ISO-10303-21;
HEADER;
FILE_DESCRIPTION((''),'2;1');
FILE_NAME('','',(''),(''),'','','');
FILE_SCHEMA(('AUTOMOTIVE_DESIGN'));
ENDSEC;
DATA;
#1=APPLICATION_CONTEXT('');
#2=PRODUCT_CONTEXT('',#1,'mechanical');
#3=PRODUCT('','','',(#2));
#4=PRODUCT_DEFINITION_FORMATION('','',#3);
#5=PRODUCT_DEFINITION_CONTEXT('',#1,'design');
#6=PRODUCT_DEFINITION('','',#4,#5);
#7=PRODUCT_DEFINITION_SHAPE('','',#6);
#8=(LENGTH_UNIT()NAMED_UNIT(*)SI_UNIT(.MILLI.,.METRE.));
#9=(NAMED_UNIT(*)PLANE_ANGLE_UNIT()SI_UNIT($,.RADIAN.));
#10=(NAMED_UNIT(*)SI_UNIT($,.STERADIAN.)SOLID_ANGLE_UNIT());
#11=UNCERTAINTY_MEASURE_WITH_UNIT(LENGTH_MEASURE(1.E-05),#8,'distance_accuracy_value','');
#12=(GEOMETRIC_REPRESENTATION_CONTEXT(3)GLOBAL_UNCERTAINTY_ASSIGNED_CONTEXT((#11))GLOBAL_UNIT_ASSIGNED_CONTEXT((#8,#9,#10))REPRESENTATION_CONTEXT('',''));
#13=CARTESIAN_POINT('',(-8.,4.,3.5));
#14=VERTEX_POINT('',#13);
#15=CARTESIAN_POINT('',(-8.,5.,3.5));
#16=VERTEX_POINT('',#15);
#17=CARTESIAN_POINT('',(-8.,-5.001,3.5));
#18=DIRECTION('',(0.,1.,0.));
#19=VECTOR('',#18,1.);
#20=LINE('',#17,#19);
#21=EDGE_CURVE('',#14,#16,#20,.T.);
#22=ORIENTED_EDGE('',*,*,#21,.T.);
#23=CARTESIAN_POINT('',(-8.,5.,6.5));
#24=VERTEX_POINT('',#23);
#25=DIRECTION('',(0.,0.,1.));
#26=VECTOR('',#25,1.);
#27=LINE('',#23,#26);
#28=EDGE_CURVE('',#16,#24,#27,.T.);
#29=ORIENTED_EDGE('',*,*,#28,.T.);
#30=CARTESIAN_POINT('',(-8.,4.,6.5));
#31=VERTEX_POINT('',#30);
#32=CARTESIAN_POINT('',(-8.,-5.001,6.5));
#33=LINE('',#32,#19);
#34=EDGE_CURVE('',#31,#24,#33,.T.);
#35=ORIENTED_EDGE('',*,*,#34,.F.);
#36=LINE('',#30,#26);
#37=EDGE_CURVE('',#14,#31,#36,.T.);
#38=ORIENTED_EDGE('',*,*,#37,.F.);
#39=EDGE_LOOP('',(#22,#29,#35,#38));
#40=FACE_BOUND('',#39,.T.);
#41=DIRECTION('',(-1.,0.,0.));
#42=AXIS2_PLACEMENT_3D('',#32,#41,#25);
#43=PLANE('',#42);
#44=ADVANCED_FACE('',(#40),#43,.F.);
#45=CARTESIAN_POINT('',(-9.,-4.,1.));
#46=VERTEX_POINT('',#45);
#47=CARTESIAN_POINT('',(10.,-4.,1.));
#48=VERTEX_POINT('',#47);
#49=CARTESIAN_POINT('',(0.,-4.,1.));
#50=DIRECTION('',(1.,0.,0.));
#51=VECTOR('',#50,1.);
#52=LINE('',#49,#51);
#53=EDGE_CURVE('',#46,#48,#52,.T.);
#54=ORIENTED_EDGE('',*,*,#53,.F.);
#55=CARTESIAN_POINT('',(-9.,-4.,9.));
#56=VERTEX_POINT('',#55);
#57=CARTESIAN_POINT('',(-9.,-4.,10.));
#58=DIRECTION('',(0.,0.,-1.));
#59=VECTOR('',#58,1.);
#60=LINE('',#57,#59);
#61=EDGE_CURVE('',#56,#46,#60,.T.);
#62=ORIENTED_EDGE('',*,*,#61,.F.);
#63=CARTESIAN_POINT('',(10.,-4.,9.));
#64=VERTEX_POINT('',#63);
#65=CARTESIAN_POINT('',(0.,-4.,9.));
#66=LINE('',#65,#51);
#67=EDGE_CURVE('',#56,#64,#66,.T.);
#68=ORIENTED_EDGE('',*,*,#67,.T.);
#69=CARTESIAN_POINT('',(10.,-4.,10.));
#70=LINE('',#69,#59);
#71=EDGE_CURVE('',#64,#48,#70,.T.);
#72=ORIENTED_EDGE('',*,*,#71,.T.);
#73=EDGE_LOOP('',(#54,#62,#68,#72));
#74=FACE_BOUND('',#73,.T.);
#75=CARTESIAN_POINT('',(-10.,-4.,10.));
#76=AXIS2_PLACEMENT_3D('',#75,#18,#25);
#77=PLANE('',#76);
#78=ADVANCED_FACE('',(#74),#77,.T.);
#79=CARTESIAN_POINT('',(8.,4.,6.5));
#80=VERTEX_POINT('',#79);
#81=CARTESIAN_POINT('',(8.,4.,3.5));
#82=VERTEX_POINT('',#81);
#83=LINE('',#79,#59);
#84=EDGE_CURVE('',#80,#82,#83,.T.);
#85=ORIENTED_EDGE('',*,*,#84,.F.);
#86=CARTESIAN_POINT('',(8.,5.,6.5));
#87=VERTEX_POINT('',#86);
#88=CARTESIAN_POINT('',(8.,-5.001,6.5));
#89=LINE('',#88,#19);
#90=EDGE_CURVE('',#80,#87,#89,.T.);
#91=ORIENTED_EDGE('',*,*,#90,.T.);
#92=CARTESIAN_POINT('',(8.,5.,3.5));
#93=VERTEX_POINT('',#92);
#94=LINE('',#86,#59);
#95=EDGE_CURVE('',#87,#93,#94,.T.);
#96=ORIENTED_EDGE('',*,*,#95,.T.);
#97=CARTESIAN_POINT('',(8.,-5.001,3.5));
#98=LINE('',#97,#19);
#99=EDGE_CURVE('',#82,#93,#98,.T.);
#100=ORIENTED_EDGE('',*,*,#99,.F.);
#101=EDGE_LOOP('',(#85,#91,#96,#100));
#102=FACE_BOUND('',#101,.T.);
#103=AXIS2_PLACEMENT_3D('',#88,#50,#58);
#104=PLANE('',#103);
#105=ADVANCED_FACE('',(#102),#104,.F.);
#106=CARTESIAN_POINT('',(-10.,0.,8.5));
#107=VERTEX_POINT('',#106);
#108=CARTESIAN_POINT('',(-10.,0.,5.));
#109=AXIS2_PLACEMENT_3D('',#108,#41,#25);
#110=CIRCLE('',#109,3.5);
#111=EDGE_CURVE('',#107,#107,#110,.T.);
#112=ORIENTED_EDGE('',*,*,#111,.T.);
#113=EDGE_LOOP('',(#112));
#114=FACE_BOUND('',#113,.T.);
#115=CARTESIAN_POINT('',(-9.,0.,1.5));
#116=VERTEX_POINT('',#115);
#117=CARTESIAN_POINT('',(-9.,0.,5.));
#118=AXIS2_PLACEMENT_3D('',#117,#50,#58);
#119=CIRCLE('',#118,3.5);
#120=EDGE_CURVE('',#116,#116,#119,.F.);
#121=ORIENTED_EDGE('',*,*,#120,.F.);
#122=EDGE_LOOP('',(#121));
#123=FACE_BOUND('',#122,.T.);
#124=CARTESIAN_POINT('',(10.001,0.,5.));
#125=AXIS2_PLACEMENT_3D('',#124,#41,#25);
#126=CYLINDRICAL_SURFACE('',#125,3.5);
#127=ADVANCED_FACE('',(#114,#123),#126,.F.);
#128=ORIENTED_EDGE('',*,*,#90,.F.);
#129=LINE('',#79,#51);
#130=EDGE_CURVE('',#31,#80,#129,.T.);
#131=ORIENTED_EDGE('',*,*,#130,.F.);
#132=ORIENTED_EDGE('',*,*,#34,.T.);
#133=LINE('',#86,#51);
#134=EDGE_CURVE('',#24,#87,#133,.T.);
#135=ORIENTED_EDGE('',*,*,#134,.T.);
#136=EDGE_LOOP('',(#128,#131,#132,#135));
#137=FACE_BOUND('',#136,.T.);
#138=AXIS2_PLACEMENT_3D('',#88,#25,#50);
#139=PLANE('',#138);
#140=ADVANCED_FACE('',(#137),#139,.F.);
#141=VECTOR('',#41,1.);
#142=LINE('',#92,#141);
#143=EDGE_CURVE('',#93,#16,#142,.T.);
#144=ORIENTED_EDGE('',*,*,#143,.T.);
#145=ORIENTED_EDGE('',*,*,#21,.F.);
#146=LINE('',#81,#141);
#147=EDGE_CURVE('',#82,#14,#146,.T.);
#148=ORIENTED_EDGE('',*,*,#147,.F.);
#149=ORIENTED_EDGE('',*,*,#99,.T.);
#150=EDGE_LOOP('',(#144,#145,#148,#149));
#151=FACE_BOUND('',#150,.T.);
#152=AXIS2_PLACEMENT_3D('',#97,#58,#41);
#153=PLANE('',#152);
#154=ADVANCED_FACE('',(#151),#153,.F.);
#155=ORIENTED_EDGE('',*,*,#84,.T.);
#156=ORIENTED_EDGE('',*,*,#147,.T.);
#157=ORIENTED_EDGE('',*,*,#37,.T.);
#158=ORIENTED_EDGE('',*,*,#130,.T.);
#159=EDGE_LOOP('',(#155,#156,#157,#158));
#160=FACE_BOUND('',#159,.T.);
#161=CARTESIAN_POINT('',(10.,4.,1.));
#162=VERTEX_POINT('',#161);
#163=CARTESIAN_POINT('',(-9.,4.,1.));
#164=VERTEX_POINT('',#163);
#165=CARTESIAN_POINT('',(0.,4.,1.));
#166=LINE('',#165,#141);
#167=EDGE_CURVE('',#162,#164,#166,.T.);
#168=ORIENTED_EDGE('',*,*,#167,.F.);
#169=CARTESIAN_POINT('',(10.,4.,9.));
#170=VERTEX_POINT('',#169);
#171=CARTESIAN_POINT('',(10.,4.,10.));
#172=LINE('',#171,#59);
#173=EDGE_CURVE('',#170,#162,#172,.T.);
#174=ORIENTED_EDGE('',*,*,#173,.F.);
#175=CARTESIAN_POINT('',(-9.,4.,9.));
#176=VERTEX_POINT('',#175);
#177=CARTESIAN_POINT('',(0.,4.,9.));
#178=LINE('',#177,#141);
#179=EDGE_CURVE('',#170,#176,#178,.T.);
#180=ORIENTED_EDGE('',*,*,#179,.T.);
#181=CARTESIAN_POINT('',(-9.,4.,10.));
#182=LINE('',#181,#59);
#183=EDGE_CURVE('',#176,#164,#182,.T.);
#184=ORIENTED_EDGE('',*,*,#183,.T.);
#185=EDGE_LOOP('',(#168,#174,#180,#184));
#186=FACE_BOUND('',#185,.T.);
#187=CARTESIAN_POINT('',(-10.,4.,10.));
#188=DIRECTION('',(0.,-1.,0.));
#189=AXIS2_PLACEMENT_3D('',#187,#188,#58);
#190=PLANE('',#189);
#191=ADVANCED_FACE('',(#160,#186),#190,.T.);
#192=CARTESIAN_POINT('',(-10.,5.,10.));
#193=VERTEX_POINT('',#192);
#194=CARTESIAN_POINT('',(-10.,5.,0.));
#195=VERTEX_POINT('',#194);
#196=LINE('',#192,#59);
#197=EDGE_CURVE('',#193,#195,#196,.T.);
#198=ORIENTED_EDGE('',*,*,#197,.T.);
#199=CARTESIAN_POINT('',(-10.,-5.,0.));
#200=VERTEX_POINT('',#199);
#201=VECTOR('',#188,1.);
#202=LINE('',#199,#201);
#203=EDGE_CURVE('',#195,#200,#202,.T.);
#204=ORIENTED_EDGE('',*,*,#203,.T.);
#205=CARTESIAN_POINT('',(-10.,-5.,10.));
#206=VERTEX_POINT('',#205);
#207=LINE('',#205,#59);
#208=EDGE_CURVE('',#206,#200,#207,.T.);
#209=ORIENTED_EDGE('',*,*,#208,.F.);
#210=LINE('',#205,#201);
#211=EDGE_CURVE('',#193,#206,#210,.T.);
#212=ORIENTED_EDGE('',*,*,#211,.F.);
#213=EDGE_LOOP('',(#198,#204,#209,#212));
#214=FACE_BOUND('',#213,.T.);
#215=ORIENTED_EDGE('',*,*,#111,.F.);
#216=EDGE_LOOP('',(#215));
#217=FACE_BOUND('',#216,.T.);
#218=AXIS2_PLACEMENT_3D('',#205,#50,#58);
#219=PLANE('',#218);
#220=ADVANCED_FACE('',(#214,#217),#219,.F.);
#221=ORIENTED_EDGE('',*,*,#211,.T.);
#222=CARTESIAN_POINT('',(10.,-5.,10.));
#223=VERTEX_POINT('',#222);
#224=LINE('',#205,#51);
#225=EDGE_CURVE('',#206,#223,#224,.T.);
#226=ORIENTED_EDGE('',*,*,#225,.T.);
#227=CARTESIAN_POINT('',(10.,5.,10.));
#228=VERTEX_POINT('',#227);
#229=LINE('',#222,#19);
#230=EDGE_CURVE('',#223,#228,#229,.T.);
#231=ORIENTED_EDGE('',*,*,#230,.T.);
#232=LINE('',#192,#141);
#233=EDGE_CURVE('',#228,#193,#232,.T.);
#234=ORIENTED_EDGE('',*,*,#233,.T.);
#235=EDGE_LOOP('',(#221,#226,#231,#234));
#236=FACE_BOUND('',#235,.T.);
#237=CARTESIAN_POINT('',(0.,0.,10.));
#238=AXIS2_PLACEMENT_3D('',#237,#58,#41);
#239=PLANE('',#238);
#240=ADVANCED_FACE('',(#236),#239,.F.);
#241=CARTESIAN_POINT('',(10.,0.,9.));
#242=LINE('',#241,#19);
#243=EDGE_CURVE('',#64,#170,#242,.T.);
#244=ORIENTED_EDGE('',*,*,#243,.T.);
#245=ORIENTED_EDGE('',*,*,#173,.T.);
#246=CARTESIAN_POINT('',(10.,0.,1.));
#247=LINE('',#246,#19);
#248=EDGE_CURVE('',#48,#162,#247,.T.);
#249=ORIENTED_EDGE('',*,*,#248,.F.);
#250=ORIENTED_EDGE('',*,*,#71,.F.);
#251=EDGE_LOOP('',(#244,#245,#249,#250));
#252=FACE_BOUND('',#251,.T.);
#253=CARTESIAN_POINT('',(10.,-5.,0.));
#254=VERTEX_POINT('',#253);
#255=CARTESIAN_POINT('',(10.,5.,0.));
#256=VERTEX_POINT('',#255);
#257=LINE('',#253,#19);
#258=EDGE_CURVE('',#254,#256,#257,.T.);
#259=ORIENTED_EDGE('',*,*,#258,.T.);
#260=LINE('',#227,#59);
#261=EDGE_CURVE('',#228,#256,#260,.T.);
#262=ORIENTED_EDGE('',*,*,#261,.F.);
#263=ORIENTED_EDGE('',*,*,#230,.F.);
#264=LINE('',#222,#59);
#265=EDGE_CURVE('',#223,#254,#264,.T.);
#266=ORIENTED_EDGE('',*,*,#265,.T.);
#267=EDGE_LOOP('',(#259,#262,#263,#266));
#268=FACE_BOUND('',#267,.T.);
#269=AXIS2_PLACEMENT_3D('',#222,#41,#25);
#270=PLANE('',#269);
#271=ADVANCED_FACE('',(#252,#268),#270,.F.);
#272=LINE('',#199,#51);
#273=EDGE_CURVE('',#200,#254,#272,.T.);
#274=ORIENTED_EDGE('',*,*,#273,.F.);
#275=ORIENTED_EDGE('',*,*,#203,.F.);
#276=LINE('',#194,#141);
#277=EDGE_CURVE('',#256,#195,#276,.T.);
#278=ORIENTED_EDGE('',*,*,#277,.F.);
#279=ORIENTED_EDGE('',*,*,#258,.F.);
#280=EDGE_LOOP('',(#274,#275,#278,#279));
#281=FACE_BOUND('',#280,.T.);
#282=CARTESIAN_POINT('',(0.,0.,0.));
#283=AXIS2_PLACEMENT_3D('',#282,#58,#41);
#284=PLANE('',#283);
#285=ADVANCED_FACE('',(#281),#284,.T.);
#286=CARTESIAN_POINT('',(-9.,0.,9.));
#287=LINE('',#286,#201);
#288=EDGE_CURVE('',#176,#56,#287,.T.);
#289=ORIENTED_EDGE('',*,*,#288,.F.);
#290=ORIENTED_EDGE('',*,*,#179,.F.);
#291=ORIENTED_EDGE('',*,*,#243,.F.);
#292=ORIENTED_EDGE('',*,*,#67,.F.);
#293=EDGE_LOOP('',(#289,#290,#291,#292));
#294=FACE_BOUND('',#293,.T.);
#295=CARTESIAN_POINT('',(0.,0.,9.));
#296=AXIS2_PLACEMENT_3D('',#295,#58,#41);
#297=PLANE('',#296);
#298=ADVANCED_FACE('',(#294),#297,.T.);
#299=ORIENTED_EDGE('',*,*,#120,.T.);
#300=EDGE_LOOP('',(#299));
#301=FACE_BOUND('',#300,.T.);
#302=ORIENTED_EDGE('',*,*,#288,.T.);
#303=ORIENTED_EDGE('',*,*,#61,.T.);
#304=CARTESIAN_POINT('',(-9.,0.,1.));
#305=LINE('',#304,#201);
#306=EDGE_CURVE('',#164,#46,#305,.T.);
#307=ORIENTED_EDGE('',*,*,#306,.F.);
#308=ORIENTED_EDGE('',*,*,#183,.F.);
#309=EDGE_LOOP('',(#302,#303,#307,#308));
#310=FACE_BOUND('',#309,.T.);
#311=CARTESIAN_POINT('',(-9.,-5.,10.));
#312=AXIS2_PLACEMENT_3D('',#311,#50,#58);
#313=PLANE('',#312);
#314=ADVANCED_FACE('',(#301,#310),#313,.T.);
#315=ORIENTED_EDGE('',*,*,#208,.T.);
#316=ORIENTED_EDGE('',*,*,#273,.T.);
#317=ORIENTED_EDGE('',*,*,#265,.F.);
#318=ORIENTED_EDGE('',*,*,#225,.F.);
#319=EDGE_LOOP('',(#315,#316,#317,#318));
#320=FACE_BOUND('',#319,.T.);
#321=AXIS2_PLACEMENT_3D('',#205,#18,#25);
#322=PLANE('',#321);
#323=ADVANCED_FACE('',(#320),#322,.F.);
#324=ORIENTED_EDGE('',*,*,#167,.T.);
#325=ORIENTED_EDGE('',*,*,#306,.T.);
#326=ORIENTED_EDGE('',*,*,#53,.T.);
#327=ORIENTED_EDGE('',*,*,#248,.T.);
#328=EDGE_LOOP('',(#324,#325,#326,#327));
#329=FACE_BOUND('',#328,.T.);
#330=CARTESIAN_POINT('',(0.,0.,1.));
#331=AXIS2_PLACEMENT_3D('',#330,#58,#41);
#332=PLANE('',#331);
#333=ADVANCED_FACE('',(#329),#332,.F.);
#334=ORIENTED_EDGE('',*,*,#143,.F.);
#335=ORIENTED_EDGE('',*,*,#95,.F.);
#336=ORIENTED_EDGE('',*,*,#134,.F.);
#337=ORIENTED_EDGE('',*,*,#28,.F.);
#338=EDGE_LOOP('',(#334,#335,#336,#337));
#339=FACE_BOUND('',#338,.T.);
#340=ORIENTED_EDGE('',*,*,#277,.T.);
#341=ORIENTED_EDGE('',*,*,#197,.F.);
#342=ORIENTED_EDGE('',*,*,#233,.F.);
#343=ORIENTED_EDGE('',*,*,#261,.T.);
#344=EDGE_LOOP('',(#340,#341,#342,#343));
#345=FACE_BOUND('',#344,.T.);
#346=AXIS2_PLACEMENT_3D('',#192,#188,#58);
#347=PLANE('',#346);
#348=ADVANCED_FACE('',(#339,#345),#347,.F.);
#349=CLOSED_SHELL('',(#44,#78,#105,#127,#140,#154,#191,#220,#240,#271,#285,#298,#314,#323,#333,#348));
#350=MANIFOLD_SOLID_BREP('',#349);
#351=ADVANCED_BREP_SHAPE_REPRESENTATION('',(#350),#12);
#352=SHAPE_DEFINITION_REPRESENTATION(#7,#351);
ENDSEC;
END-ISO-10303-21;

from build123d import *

# Parameters (mm, degrees)
SKETCH1_W           = 20
SKETCH1_H           = 10
BOSS_EXTRUDE1_DEPTH = 10
SHELL1_T            = -1
CUT_EXTRUDE1_REACH  = 22
SKETCH3_R           = 3.5
CUT_EXTRUDE2_REACH  = 12
SKETCH5_W           = 16
SKETCH5_H           = 3


with BuildPart() as part:
    # Sketch1 → Boss-Extrude1 (new body)
    with BuildSketch(Plane.XY):
        Rectangle(SKETCH1_W, SKETCH1_H)
    extrude(amount=BOSS_EXTRUDE1_DEPTH)

    # Shell1
    shell1_openings = [part.faces().sort_by_distance(p)[0] for p in [
        (10, 0, 5),
    ]]
    offset(amount=SHELL1_T, openings=shell1_openings, kind=Kind.INTERSECTION)

    # Sketch3 → Cut-Extrude1 (cut, up to next)
    with BuildSketch(Plane.ZY.offset(10), mode=Mode.PRIVATE) as cut_extrude1_sk1:
        with Locations((5, 0)):
            Circle(SKETCH3_R)
    cut_extrude1_tool1 = extrude(cut_extrude1_sk1.sketch, amount=-CUT_EXTRUDE1_REACH, mode=Mode.PRIVATE) & part.part
    add(cut_extrude1_tool1.solids().sort_by_distance((-10, 0, 5))[0], mode=Mode.SUBTRACT)

    # Sketch5 → Cut-Extrude2 (cut, up to next)
    with BuildSketch(Plane(origin=(0, 5, 0), x_dir=(1, 0, 0), z_dir=(0, 1, 0)), mode=Mode.PRIVATE) as cut_extrude2_sk1:
        with Locations((0, -5)):
            Rectangle(SKETCH5_W, SKETCH5_H)
    cut_extrude2_tool1 = extrude(cut_extrude2_sk1.sketch, amount=-CUT_EXTRUDE2_REACH, mode=Mode.PRIVATE) & part.part
    add(cut_extrude2_tool1.solids().sort_by_distance((0, 5, 5))[0], mode=Mode.SUBTRACT)


solid = part.part
